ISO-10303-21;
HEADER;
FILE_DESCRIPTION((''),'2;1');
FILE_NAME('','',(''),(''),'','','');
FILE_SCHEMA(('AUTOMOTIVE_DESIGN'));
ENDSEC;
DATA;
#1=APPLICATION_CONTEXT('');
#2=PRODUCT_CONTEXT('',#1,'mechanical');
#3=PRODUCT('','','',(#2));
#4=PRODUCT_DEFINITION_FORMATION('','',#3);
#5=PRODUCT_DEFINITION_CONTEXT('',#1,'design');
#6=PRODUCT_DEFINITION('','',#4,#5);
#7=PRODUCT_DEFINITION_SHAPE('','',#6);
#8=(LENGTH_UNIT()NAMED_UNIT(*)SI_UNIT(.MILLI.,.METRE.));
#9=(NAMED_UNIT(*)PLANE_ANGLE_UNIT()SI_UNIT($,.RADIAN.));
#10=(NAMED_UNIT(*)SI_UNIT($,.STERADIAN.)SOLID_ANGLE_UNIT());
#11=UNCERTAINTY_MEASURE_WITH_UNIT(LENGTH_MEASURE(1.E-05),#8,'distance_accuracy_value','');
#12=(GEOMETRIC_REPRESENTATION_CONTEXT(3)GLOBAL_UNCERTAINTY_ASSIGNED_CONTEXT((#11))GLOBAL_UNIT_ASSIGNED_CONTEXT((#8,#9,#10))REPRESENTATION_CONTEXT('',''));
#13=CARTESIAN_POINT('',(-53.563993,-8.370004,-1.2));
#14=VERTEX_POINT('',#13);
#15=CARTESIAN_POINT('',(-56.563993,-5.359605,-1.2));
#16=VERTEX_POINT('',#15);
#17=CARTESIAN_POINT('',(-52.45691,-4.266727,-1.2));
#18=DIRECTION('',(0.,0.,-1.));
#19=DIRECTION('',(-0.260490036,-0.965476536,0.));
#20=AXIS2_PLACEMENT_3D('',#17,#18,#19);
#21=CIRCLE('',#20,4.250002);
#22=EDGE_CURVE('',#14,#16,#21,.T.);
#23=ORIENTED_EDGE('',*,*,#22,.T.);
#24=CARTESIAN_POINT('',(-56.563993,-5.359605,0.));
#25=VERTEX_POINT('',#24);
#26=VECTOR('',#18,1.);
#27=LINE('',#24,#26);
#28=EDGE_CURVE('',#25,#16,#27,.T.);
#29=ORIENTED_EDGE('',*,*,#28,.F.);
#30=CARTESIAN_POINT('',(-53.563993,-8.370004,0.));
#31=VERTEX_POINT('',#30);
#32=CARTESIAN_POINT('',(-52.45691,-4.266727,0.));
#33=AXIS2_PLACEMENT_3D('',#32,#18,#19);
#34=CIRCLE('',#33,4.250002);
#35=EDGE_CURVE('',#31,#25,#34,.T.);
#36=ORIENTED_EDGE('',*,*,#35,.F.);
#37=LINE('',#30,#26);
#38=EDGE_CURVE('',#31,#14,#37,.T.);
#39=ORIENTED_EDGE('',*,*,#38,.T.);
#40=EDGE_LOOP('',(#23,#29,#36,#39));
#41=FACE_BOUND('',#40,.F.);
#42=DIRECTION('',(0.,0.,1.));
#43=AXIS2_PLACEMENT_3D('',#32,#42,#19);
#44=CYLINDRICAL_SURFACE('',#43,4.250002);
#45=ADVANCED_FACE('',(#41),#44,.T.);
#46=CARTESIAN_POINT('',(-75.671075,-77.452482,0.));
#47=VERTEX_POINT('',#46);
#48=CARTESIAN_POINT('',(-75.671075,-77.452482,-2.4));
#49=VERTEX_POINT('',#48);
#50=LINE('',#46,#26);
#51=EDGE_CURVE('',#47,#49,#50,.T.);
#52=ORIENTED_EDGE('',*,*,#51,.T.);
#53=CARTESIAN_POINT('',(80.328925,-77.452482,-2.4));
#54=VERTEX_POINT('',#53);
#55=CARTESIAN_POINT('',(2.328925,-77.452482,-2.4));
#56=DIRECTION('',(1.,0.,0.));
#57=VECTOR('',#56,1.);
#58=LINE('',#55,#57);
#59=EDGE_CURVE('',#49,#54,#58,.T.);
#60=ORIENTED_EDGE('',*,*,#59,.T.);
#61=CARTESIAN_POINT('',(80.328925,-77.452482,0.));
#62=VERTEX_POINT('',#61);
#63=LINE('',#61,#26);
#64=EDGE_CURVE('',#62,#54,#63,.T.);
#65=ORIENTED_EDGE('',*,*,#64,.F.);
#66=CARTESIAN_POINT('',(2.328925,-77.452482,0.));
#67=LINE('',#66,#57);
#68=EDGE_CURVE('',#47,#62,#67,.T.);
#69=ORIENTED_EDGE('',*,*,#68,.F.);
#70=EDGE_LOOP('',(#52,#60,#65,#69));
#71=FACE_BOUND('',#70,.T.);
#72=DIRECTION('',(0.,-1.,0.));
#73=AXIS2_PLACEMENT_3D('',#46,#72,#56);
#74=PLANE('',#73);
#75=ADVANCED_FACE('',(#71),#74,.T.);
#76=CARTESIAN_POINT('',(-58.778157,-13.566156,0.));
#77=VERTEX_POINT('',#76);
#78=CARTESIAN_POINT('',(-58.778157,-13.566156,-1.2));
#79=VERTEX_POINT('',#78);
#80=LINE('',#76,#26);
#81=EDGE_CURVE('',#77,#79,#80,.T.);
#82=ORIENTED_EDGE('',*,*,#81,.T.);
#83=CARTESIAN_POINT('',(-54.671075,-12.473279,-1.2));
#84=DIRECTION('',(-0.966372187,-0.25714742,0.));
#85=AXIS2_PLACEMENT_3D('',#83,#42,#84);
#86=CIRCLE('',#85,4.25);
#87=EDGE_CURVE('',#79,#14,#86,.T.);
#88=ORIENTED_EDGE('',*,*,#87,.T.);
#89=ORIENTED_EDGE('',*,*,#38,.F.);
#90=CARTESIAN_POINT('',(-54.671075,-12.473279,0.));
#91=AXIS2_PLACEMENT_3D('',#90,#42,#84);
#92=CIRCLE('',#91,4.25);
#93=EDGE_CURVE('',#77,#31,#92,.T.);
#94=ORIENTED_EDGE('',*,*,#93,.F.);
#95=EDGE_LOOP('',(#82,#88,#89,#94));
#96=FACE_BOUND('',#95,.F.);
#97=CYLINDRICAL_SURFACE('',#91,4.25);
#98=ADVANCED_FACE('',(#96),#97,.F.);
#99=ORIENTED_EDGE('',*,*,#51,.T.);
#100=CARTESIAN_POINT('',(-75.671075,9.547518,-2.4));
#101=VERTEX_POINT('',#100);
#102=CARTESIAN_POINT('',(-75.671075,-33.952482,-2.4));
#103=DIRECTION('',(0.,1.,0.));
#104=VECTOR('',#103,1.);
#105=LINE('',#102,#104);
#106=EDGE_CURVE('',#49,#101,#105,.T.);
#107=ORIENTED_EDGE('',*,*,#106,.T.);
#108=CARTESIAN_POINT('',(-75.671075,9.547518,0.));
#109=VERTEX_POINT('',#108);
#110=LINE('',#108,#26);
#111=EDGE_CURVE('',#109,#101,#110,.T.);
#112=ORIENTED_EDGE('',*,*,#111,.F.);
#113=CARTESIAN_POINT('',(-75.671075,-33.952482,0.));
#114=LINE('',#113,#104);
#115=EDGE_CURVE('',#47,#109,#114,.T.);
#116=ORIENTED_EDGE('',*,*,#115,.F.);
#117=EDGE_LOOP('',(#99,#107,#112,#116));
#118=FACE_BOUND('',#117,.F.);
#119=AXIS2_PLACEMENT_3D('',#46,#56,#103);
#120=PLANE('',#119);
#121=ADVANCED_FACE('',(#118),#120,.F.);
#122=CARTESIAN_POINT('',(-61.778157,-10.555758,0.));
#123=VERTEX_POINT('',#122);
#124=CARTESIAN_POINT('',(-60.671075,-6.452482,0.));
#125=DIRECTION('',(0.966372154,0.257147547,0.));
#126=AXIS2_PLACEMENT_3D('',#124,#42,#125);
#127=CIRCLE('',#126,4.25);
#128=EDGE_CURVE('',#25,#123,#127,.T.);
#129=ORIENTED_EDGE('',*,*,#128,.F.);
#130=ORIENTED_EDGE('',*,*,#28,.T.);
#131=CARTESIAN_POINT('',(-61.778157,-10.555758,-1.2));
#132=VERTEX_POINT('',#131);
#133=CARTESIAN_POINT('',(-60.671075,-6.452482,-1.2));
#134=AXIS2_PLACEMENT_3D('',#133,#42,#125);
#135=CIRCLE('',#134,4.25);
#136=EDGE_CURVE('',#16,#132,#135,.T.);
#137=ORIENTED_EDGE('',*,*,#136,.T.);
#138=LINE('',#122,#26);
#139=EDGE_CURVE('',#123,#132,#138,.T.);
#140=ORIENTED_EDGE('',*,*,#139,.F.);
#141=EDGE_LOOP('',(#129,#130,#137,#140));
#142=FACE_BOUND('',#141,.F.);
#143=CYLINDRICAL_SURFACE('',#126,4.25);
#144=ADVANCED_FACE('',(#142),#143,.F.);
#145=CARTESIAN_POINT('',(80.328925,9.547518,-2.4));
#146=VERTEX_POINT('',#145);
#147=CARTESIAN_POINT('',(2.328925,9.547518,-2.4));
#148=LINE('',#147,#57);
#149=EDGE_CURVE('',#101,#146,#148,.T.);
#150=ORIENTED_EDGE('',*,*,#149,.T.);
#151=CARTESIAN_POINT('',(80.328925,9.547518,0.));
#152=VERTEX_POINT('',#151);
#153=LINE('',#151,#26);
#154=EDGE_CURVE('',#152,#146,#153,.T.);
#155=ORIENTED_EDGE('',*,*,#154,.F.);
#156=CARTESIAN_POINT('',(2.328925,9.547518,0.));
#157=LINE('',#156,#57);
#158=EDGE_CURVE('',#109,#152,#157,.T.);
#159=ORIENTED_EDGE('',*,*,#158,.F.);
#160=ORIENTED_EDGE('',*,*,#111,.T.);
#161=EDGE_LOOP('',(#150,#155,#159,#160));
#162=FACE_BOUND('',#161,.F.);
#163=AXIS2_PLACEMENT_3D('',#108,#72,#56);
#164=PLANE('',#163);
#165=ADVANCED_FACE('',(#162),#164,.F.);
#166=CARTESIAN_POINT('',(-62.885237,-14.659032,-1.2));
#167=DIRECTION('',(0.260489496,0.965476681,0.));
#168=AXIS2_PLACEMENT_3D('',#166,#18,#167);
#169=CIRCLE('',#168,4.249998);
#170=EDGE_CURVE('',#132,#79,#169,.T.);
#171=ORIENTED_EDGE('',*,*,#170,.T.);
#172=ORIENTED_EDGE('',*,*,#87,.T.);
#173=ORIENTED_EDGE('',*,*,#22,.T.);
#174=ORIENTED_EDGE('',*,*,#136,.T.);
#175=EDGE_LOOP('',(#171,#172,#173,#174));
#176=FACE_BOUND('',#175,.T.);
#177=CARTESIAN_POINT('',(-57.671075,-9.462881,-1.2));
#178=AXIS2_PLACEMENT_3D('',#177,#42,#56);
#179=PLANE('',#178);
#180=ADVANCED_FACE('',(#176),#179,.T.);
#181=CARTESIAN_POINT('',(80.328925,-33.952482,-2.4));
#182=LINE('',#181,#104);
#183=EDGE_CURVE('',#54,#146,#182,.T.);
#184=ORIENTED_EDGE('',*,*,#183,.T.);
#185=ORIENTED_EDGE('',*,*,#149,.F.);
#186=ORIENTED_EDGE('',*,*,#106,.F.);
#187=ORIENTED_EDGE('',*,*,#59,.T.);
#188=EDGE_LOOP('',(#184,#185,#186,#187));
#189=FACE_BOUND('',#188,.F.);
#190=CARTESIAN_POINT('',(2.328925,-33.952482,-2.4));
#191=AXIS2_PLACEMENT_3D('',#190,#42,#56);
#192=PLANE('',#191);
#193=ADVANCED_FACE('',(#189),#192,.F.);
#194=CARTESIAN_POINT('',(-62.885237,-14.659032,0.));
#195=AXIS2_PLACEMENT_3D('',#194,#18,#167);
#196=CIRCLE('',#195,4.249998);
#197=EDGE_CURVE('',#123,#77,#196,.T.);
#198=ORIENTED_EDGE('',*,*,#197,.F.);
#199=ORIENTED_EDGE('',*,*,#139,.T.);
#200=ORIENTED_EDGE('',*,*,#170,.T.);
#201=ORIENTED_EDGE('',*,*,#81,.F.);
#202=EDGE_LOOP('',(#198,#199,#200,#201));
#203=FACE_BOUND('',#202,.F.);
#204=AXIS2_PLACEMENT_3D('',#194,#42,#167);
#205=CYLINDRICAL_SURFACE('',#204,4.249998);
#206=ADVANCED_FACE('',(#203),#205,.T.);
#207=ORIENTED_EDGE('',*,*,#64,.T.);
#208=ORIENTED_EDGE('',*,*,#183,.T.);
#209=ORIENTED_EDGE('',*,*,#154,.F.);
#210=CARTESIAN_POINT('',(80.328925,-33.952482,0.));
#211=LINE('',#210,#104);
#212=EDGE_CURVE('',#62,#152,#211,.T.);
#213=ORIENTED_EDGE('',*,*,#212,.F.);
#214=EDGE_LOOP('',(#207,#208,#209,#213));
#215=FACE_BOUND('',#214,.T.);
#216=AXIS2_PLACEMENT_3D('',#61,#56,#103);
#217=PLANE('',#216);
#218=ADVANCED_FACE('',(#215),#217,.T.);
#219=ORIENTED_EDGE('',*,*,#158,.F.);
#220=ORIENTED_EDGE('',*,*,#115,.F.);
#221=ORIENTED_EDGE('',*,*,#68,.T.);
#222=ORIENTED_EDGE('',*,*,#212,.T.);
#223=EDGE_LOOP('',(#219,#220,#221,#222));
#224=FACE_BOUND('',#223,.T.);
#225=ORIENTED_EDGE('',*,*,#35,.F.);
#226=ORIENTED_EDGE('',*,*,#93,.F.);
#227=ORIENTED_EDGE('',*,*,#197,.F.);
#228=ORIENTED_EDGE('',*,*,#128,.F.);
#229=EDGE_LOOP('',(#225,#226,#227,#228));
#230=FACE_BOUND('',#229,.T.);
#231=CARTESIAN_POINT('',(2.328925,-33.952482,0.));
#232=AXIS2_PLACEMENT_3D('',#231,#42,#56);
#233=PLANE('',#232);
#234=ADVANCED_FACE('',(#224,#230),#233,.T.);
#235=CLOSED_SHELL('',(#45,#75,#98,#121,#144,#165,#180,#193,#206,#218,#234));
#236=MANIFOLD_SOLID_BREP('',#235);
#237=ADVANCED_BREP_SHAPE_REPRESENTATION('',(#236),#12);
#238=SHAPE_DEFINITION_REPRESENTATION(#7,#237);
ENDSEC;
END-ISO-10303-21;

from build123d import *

# Parameters (mm, degrees)
F0_W     = 156
F0_H     = 87
F2_DEPTH = 2.4
F3_DEPTH = 1.2


with BuildPart() as f2:
    # F0 (on Top) → F2 (new body)
    with BuildSketch(Plane.XY):
        with Locations((2.328925, -33.952482)):
            Rectangle(F0_W, F0_H)
    extrude(amount=-F2_DEPTH)

    # F1 (on Top) → F3 (cut)
    with BuildSketch(Plane.XY):
        with BuildLine():
            ThreePointArc((-61.778157, -10.555758), (-59.87484, -11.659033), (-58.778157, -13.566156))
            ThreePointArc((-58.778157, -13.566156), (-51.671075, -15.483678), (-53.563993, -8.370004))
            ThreePointArc((-53.563993, -8.370004), (-55.46731, -7.266728), (-56.563993, -5.359605))
            ThreePointArc((-56.563993, -5.359605), (-63.671075, -3.442083), (-61.778157, -10.555758))
        make_face()
    extrude(amount=-F3_DEPTH, mode=Mode.SUBTRACT)


solid = f2.part
